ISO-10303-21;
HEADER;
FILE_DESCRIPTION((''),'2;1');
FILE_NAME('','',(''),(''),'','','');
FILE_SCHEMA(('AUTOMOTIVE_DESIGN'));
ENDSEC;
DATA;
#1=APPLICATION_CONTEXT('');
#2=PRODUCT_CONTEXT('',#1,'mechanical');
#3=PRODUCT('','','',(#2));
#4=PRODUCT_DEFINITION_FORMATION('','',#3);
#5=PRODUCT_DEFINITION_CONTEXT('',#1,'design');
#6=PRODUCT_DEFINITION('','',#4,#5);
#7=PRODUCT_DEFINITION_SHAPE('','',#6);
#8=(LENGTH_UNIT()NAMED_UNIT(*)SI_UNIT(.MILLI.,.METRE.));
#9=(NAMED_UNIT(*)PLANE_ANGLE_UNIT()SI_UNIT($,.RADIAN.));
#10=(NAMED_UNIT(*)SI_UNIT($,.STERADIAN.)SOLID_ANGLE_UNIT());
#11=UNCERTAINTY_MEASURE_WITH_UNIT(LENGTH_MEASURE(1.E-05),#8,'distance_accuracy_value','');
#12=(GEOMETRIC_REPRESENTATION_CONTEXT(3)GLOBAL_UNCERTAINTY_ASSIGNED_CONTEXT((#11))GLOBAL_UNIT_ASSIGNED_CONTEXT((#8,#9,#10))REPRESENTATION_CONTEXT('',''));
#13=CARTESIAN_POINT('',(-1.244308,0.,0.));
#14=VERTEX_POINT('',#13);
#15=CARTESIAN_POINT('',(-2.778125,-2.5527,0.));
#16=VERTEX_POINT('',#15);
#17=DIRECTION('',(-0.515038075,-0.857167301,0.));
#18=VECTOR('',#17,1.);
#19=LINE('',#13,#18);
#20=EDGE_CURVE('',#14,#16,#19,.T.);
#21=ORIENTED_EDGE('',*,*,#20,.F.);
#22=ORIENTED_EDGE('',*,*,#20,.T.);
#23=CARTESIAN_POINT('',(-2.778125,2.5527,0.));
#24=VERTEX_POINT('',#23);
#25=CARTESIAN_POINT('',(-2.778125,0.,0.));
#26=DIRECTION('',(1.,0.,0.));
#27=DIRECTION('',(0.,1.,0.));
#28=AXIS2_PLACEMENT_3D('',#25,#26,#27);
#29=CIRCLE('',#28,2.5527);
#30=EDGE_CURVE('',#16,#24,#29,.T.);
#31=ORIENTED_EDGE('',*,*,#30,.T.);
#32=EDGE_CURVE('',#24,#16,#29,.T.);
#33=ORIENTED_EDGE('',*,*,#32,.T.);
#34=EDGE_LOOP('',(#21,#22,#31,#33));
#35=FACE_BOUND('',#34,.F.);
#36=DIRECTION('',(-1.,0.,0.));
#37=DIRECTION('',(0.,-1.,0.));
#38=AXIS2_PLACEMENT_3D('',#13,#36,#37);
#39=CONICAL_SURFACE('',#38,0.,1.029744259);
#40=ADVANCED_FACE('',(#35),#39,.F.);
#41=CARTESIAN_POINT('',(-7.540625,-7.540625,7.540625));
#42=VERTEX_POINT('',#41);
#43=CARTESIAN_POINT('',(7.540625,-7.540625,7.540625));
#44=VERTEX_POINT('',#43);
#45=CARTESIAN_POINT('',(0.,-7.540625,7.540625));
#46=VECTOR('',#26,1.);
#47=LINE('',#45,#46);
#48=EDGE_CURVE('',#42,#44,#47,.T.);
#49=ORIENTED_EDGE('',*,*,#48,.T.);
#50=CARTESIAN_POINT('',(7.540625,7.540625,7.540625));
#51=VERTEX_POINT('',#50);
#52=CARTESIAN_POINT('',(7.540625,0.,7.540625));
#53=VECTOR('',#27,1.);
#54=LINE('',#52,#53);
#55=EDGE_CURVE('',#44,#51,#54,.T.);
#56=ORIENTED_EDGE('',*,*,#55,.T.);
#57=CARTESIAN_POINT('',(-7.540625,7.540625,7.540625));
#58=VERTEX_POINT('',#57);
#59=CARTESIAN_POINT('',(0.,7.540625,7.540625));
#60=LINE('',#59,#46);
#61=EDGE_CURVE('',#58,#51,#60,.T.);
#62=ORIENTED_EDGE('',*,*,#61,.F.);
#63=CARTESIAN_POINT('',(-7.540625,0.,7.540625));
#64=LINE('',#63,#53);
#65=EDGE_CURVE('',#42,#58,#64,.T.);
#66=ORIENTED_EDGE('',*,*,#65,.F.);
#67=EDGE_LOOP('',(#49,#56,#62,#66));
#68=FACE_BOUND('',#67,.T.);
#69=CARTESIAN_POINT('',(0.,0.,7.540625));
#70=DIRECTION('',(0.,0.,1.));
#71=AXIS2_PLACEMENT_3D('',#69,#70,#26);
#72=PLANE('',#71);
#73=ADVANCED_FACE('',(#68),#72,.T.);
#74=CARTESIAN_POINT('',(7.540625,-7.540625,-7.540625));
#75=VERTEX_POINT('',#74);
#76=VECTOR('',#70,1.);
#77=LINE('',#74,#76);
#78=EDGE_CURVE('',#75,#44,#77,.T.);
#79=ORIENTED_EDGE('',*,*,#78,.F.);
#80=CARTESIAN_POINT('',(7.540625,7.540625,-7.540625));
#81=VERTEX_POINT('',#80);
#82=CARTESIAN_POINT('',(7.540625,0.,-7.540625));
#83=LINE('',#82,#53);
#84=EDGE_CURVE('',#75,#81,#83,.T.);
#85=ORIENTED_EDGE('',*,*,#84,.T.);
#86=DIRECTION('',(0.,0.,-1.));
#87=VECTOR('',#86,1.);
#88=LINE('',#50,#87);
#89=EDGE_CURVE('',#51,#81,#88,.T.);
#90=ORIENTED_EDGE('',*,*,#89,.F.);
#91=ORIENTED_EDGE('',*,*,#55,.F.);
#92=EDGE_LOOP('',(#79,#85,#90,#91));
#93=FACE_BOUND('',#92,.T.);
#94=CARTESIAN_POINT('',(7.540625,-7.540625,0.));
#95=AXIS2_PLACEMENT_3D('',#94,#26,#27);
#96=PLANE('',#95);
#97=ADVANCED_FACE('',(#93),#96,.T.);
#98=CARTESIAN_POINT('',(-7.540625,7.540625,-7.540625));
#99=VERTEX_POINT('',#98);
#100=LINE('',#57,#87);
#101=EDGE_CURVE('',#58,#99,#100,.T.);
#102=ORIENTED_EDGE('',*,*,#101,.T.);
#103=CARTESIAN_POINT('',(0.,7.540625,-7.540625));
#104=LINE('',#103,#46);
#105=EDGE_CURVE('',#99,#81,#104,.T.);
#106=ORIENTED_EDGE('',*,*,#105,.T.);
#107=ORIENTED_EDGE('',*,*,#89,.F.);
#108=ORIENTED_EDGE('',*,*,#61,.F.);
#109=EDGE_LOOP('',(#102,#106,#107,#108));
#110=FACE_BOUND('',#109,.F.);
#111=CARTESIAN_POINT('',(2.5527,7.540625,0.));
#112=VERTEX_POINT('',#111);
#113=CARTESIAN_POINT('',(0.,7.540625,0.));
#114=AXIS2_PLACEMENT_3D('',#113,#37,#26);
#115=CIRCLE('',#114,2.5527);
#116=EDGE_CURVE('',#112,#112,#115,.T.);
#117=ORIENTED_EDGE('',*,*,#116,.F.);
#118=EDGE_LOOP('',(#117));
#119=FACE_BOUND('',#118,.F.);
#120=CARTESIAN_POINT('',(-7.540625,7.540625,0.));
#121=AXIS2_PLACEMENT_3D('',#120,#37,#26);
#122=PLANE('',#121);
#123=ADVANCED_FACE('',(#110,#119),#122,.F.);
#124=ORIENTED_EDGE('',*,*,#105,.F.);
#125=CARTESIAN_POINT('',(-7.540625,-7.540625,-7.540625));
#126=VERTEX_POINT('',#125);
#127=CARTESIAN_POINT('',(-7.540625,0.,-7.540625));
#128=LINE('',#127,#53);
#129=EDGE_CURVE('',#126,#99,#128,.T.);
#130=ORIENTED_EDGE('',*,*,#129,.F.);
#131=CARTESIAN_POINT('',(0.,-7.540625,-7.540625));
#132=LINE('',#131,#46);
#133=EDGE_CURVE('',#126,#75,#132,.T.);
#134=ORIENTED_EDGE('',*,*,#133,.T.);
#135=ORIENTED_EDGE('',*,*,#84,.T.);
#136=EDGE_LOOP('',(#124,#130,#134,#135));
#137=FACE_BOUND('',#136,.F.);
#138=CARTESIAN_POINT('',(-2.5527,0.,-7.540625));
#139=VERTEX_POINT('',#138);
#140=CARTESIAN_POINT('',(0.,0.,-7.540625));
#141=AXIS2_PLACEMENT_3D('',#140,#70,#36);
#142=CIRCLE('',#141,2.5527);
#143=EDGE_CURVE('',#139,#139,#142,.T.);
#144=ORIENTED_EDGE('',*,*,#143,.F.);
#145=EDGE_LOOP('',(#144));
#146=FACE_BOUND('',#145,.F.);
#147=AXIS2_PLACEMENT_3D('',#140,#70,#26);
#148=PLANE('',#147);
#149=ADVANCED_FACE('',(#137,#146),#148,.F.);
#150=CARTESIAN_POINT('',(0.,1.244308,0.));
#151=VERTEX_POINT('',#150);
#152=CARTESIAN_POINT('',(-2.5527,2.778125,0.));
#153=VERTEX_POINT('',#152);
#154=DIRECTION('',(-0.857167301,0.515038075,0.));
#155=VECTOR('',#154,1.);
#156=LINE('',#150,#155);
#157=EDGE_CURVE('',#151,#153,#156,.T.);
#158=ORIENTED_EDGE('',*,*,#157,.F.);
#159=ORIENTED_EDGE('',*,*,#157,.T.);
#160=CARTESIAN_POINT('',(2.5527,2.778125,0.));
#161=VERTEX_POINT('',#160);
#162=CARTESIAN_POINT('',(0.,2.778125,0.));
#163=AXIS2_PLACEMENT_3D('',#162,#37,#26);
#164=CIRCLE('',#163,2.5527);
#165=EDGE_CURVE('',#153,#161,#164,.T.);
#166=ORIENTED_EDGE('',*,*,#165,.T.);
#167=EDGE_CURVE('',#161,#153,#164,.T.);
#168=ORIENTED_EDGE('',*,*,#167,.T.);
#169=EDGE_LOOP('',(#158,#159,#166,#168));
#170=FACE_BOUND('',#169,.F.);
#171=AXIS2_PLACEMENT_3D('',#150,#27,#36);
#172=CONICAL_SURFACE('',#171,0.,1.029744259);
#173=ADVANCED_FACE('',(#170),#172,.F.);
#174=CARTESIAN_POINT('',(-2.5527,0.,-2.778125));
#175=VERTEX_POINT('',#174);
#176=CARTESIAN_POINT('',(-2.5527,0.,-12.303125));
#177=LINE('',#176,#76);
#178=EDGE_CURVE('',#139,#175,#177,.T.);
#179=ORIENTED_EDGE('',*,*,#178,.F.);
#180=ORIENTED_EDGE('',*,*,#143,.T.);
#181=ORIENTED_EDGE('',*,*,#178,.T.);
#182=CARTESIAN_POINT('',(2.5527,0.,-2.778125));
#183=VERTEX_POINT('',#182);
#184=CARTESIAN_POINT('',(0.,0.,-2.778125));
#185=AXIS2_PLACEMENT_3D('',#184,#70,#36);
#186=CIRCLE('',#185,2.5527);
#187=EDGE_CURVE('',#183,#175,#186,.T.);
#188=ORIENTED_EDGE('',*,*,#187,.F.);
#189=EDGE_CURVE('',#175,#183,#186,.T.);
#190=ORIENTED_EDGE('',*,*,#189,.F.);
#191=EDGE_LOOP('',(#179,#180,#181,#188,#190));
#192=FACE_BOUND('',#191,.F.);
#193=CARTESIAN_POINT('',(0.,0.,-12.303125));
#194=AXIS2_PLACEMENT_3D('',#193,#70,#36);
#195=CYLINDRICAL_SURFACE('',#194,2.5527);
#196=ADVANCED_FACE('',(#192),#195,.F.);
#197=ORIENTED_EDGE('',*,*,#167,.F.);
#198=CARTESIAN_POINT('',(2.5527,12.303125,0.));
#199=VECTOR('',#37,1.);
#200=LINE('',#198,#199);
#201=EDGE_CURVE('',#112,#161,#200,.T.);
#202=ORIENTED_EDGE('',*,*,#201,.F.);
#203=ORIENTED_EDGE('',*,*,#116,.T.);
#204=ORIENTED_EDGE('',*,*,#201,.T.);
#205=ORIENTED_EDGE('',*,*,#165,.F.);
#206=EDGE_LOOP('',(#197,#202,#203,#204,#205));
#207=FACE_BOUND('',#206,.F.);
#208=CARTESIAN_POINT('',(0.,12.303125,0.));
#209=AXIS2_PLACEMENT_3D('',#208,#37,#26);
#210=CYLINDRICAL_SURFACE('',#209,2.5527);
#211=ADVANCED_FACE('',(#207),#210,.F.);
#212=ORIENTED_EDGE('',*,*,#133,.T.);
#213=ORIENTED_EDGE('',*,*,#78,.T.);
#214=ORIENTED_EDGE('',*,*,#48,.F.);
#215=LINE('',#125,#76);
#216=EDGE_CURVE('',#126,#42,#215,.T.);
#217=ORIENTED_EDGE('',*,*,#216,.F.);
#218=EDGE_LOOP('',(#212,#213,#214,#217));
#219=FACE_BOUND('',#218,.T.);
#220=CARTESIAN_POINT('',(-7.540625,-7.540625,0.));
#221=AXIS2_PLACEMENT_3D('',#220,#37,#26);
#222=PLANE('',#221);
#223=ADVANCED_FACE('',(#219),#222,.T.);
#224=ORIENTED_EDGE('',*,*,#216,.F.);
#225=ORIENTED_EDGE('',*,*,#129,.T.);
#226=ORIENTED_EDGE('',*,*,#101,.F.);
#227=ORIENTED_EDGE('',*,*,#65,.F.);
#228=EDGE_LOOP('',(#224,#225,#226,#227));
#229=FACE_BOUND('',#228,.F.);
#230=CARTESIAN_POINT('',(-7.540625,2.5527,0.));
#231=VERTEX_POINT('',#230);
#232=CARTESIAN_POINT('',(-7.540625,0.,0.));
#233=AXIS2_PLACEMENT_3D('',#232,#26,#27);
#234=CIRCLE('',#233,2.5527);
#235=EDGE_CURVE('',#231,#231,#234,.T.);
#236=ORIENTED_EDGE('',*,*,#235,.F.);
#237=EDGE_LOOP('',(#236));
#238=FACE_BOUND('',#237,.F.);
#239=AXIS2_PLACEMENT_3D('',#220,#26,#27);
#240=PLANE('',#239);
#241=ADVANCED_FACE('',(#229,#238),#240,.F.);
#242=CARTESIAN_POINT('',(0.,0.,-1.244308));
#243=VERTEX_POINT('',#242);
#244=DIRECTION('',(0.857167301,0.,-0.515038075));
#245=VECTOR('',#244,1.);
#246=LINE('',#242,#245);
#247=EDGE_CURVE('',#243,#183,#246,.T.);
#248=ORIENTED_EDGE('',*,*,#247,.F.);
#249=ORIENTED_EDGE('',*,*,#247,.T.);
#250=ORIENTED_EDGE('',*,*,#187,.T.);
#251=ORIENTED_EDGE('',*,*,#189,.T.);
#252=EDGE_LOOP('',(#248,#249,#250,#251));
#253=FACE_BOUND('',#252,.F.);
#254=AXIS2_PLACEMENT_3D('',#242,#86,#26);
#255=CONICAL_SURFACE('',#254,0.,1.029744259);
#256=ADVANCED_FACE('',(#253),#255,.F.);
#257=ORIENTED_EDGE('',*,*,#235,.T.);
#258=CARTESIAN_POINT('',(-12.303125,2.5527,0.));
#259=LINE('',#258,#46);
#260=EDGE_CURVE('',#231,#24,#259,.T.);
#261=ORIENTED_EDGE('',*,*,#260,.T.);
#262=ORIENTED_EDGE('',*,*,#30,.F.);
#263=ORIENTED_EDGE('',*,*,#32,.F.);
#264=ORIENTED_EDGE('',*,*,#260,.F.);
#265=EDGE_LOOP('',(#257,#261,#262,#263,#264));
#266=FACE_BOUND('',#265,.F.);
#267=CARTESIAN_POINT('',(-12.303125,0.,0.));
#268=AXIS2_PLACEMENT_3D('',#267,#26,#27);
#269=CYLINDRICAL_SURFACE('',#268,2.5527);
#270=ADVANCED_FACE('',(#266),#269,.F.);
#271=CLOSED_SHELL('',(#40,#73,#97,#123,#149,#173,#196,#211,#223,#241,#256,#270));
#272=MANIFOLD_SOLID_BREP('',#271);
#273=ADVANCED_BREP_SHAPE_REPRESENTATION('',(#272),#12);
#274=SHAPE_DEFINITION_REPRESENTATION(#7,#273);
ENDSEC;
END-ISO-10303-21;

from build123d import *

# Parameters (mm, degrees)
F0_W     = 15.08125
F0_H     = 15.08125
F1_DEPTH = 7.540625
F5_D     = 5.1054
F5_DEPTH = 4.7625
F5_TIP   = 1.5338169022
F6_D     = 5.1054
F6_DEPTH = 4.7625
F6_TIP   = 1.5338169022
F7_D     = 5.1054
F7_DEPTH = 4.7625
F7_TIP   = 1.5338169022


with BuildPart() as f1:
    # F0 (on Top) → F1 (new body, symmetric)
    with BuildSketch(Plane.XY):
        Rectangle(F0_W, F0_H)
    extrude(amount=F1_DEPTH, both=True)

    # F5
    with Locations(Plane(origin=(0, 0, -7.540625), x_dir=(1, 0, 0), z_dir=(0, 0, -1))):
        with Locations((0, 0)):
            Hole(F5_D / 2, depth=F5_DEPTH)
            with Locations((0, 0, -(F5_DEPTH + F5_TIP / 2))):  # 118° drill point
                Cone(0, F5_D / 2, F5_TIP, mode=Mode.SUBTRACT)

    # F6
    with Locations(Plane(origin=(0, 7.540625, 0), x_dir=(-1, 0, 0), z_dir=(0, 1, 0))):
        with Locations((0, 0)):
            Hole(F6_D / 2, depth=F6_DEPTH)
            with Locations((0, 0, -(F6_DEPTH + F6_TIP / 2))):  # 118° drill point
                Cone(0, F6_D / 2, F6_TIP, mode=Mode.SUBTRACT)

    # F7
    with Locations(Plane(origin=(-7.540625, 0, 0), x_dir=(0, -1, 0), z_dir=(-1, 0, 0))):
        with Locations((0, 0)):
            Hole(F7_D / 2, depth=F7_DEPTH)
            with Locations((0, 0, -(F7_DEPTH + F7_TIP / 2))):  # 118° drill point
                Cone(0, F7_D / 2, F7_TIP, mode=Mode.SUBTRACT)


solid = f1.part
